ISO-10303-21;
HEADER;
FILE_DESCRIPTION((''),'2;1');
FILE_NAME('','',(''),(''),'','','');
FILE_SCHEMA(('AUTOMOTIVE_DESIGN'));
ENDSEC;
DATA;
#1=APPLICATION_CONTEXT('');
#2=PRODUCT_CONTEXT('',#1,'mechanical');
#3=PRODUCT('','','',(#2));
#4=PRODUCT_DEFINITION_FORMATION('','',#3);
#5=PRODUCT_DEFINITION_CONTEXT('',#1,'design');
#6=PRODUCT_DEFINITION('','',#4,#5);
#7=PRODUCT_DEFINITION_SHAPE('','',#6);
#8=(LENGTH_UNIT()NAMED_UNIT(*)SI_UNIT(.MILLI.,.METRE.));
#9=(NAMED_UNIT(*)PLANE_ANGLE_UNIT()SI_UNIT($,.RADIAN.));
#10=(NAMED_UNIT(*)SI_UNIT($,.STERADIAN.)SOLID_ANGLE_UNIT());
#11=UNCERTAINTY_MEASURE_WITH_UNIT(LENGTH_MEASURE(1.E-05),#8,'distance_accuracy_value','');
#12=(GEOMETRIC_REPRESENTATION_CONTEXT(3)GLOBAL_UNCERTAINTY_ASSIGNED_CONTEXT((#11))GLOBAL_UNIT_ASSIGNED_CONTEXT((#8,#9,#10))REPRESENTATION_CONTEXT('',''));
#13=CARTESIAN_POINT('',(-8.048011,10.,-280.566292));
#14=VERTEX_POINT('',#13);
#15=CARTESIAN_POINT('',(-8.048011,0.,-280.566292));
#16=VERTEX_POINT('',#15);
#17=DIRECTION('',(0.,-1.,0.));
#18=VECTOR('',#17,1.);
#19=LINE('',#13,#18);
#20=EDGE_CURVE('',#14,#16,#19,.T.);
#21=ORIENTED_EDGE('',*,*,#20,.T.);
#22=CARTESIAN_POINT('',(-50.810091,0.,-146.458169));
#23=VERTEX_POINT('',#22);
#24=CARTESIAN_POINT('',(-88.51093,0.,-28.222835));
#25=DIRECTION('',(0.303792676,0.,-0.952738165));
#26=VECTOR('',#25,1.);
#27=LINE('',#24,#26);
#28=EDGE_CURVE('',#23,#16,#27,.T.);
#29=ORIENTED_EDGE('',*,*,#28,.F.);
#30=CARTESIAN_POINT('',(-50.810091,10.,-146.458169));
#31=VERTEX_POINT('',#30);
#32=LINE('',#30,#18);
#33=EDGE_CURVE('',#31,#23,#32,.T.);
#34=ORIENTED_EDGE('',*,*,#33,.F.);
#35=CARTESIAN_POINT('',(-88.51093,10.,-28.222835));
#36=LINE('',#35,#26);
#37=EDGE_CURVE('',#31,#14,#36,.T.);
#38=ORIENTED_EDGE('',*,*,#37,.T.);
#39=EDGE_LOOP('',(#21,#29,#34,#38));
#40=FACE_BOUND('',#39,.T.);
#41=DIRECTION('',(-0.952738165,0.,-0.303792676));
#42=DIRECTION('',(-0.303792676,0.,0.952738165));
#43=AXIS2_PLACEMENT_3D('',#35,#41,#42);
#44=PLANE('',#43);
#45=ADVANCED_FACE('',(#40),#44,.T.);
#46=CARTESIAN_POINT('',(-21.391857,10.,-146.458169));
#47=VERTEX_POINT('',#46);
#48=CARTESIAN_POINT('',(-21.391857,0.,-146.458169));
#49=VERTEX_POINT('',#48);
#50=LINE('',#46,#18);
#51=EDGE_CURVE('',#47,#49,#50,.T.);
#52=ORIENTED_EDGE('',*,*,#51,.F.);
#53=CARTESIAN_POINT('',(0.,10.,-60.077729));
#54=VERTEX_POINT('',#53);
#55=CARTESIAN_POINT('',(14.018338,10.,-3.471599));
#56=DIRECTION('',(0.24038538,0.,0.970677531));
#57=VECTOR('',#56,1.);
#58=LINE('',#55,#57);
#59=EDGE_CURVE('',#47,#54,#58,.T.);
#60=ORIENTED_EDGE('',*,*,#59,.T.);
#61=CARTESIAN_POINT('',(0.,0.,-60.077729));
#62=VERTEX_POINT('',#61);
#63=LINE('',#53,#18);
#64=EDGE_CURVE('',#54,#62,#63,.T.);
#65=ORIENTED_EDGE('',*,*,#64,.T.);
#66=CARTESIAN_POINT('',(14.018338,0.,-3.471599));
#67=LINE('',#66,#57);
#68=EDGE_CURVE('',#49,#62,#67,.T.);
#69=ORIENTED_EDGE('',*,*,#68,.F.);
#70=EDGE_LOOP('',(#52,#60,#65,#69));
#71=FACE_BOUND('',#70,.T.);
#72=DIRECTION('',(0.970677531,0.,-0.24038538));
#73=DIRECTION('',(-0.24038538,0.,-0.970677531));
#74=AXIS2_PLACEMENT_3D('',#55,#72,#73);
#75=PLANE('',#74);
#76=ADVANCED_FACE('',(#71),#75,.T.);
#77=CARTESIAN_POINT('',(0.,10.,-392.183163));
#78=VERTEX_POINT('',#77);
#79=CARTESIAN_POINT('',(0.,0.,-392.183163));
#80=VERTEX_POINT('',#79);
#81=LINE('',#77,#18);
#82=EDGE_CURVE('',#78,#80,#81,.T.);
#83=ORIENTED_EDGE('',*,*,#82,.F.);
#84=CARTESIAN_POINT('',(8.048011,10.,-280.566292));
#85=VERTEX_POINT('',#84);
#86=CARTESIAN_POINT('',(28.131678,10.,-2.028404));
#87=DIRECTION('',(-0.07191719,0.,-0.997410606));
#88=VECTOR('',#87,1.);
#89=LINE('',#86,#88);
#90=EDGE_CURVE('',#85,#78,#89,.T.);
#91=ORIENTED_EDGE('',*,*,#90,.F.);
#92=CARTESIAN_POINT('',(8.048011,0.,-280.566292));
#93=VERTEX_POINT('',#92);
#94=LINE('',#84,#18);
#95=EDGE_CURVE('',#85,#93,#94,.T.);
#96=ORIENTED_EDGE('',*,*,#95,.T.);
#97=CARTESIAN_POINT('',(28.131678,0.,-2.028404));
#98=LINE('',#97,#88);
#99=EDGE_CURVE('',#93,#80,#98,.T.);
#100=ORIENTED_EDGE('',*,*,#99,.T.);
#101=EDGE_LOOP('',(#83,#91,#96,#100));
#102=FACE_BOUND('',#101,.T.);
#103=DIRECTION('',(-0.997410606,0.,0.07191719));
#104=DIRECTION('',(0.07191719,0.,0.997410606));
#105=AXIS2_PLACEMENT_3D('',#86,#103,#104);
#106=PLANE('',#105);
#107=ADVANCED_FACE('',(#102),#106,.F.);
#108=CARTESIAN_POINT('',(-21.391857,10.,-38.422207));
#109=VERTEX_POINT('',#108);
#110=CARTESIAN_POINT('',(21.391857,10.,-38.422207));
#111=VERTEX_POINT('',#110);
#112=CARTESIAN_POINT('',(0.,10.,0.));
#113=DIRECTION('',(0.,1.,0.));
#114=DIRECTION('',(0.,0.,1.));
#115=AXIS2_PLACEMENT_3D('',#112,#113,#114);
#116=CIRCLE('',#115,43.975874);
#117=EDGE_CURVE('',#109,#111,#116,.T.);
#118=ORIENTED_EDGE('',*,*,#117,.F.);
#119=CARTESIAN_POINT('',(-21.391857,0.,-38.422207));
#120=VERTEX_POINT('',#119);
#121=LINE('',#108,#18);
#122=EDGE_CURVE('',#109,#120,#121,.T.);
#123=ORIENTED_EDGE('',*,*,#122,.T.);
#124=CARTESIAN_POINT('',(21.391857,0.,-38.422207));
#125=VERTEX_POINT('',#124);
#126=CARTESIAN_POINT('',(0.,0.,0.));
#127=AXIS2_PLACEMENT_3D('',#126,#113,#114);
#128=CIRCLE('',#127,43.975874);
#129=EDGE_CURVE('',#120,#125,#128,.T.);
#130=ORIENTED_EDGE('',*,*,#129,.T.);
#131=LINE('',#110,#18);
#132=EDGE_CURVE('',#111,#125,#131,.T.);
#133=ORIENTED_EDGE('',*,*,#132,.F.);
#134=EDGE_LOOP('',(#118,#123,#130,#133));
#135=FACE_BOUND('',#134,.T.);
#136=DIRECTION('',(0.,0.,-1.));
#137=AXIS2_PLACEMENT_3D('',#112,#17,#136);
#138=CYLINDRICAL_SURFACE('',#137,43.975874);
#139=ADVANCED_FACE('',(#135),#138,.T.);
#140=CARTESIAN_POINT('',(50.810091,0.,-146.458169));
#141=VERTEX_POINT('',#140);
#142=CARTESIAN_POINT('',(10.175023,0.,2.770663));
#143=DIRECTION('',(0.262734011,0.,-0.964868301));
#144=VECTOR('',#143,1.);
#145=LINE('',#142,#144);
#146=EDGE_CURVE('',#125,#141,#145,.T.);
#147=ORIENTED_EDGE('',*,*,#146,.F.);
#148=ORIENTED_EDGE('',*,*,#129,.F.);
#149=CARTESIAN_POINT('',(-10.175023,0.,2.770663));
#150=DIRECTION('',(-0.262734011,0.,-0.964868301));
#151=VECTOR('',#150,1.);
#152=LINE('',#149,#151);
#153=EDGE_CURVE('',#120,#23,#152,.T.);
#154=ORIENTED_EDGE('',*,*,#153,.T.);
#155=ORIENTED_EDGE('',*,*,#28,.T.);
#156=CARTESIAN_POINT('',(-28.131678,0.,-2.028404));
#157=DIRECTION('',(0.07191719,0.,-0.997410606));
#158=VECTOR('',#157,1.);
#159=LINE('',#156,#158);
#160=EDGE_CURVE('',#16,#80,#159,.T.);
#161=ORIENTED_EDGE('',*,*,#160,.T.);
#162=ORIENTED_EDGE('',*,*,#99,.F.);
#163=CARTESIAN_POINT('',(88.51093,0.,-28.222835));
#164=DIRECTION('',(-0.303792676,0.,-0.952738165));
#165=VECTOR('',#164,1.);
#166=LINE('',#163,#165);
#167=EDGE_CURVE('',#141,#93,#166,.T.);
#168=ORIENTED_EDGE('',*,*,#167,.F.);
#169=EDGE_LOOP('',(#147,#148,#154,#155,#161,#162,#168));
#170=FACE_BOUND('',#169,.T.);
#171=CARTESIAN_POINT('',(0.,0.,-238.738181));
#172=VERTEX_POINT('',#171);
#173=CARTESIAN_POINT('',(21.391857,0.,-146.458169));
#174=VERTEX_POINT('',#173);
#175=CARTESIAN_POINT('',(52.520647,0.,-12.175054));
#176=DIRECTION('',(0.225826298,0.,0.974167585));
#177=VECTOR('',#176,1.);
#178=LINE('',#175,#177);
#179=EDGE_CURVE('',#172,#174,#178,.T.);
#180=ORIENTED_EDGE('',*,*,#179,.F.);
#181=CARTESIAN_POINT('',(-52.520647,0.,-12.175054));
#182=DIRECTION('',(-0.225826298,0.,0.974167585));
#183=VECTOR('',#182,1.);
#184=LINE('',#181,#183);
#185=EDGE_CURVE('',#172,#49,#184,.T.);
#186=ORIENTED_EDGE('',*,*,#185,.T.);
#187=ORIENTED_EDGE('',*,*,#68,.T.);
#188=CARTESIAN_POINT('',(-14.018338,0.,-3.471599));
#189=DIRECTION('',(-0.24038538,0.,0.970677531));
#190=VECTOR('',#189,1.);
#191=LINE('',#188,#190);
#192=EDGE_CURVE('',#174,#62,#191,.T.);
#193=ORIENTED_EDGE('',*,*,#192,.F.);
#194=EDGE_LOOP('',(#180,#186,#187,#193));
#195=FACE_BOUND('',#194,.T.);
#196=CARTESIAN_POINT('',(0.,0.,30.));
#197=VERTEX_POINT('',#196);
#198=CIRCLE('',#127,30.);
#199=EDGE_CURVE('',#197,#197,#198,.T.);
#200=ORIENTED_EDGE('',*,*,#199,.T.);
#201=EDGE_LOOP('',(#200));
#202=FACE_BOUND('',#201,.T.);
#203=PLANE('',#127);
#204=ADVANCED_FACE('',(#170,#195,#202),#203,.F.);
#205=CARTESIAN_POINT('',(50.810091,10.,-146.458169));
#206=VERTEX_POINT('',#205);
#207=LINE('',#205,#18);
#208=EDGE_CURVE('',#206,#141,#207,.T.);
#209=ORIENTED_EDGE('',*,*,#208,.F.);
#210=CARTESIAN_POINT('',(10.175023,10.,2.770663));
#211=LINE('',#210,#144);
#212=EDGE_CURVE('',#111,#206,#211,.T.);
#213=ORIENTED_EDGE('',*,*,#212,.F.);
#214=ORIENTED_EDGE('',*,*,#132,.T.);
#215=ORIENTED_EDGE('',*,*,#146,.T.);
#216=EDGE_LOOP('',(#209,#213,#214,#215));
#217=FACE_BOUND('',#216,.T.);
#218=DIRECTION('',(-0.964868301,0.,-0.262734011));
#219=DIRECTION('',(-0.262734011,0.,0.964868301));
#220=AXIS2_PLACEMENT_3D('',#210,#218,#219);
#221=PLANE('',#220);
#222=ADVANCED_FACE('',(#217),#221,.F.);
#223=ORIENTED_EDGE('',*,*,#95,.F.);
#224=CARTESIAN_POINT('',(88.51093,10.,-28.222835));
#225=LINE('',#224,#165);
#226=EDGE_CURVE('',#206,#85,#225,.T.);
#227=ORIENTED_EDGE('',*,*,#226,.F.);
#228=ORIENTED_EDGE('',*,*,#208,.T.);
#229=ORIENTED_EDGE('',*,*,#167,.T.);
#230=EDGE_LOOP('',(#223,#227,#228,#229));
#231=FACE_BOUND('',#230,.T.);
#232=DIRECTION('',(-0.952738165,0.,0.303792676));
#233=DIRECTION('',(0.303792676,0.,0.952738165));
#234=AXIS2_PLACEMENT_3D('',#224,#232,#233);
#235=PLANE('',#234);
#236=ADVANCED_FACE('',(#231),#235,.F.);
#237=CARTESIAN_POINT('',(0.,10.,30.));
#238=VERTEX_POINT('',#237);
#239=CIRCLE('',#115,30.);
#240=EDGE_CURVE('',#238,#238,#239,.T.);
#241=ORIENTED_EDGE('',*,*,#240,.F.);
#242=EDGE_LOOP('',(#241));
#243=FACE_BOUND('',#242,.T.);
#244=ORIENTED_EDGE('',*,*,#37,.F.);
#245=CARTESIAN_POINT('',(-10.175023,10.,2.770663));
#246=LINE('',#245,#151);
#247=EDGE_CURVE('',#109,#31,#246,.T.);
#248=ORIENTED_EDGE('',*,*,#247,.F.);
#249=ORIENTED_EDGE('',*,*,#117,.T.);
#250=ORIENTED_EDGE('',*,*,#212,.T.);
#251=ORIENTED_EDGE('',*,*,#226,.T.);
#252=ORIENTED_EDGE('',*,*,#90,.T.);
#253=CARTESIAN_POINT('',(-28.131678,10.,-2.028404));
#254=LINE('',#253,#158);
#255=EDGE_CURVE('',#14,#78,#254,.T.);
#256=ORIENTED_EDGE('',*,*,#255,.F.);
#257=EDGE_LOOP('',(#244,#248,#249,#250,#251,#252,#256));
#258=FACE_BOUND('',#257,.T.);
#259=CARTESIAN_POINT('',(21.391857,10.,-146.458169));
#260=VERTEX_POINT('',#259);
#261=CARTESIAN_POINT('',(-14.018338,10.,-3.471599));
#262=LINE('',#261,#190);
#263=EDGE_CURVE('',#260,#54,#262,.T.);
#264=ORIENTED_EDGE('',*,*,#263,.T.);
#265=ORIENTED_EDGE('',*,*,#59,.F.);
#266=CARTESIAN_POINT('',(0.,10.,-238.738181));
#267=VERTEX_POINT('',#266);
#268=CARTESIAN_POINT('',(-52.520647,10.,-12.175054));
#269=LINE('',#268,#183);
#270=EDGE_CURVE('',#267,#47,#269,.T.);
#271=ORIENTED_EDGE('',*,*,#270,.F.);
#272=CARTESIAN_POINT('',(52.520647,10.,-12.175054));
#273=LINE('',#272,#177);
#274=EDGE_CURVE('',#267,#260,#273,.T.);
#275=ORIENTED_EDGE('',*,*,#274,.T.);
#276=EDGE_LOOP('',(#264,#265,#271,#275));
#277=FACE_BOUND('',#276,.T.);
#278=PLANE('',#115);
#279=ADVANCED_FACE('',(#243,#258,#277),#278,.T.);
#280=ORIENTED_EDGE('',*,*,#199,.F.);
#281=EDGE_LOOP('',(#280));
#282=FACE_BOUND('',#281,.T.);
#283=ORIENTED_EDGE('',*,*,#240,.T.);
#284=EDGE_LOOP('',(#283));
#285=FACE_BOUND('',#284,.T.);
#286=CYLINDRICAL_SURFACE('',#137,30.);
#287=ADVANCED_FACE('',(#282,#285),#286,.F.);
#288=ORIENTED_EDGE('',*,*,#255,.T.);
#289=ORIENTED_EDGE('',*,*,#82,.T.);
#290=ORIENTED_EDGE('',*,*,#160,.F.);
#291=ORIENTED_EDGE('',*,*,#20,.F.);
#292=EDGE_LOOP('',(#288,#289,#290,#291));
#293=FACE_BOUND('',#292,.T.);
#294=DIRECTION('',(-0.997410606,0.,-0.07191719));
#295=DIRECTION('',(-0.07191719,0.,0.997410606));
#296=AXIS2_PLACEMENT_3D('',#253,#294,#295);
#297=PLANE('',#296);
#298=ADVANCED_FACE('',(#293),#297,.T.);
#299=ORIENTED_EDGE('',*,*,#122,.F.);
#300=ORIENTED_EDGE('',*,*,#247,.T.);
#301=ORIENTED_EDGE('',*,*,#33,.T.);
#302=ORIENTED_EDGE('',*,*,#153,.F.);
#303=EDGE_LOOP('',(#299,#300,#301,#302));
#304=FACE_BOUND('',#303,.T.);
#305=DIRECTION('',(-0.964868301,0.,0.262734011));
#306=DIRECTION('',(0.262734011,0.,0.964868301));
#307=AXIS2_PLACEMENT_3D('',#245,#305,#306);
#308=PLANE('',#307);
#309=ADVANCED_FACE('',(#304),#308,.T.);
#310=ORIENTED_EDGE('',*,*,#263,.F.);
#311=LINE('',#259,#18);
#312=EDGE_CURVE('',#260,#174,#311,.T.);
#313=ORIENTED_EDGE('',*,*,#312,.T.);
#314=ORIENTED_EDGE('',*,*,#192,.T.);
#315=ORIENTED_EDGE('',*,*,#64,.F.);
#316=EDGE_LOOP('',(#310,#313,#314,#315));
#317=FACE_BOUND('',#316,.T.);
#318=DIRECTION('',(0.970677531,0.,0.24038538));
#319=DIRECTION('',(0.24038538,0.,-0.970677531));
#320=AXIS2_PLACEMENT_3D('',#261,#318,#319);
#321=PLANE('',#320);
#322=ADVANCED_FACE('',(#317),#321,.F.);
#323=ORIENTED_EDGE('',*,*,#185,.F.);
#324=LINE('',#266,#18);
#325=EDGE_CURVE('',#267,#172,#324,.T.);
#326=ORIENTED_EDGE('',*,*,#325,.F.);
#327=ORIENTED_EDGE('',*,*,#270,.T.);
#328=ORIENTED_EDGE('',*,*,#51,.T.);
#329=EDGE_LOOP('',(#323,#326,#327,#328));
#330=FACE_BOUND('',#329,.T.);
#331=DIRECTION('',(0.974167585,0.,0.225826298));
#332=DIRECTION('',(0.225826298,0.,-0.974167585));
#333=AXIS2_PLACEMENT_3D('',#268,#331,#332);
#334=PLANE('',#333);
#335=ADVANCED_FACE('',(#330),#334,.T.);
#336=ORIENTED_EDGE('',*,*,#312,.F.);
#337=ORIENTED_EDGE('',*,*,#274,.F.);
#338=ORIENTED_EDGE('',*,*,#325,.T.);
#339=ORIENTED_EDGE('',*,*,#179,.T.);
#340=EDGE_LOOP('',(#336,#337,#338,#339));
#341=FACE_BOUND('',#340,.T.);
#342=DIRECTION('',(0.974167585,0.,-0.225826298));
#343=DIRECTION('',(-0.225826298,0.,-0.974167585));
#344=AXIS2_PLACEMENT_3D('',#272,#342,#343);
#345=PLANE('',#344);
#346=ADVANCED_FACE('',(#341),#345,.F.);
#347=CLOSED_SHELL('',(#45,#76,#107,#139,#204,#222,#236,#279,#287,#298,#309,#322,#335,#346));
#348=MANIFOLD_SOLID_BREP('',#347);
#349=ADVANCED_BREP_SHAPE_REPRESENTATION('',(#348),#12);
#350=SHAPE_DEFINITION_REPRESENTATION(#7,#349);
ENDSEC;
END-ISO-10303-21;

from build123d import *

# Parameters (mm, degrees)
SKETCH1_R           = 30
BOSS_EXTRUDE1_DEPTH = 10


with BuildPart() as part:
    # Sketch1 → Boss-Extrude1 (new body)
    with BuildSketch(Plane(origin=(0, 0, 0), x_dir=(1, 0, 0), z_dir=(0, 1, 0))):
        with BuildLine():
            Line((-21.391856852, 38.422206609), (-50.810091155, 146.458168919))
            Line((-50.810091155, 146.458168919), (-8.048011127, 280.566292355))
            Line((-8.048011127, 280.566292355), (0, 392.18316322))
            Line((0, 392.18316322), (8.048011127, 280.566292355))
            Line((8.048011127, 280.566292355), (50.810091155, 146.458168919))
            Line((50.810091155, 146.458168919), (21.391856852, 38.422206609))
            ThreePointArc((21.391856852, 38.422206609), (0, -43.97587407), (-21.391856852, 38.422206609))
        make_face()
        Circle(SKETCH1_R, mode=Mode.SUBTRACT)
        Polygon((0, 238.738180914), (-21.391856852, 146.458168919), (0, 60.077729237), (21.391856852, 146.458168919), align=None, mode=Mode.SUBTRACT)
    extrude(amount=BOSS_EXTRUDE1_DEPTH)


solid = part.part
